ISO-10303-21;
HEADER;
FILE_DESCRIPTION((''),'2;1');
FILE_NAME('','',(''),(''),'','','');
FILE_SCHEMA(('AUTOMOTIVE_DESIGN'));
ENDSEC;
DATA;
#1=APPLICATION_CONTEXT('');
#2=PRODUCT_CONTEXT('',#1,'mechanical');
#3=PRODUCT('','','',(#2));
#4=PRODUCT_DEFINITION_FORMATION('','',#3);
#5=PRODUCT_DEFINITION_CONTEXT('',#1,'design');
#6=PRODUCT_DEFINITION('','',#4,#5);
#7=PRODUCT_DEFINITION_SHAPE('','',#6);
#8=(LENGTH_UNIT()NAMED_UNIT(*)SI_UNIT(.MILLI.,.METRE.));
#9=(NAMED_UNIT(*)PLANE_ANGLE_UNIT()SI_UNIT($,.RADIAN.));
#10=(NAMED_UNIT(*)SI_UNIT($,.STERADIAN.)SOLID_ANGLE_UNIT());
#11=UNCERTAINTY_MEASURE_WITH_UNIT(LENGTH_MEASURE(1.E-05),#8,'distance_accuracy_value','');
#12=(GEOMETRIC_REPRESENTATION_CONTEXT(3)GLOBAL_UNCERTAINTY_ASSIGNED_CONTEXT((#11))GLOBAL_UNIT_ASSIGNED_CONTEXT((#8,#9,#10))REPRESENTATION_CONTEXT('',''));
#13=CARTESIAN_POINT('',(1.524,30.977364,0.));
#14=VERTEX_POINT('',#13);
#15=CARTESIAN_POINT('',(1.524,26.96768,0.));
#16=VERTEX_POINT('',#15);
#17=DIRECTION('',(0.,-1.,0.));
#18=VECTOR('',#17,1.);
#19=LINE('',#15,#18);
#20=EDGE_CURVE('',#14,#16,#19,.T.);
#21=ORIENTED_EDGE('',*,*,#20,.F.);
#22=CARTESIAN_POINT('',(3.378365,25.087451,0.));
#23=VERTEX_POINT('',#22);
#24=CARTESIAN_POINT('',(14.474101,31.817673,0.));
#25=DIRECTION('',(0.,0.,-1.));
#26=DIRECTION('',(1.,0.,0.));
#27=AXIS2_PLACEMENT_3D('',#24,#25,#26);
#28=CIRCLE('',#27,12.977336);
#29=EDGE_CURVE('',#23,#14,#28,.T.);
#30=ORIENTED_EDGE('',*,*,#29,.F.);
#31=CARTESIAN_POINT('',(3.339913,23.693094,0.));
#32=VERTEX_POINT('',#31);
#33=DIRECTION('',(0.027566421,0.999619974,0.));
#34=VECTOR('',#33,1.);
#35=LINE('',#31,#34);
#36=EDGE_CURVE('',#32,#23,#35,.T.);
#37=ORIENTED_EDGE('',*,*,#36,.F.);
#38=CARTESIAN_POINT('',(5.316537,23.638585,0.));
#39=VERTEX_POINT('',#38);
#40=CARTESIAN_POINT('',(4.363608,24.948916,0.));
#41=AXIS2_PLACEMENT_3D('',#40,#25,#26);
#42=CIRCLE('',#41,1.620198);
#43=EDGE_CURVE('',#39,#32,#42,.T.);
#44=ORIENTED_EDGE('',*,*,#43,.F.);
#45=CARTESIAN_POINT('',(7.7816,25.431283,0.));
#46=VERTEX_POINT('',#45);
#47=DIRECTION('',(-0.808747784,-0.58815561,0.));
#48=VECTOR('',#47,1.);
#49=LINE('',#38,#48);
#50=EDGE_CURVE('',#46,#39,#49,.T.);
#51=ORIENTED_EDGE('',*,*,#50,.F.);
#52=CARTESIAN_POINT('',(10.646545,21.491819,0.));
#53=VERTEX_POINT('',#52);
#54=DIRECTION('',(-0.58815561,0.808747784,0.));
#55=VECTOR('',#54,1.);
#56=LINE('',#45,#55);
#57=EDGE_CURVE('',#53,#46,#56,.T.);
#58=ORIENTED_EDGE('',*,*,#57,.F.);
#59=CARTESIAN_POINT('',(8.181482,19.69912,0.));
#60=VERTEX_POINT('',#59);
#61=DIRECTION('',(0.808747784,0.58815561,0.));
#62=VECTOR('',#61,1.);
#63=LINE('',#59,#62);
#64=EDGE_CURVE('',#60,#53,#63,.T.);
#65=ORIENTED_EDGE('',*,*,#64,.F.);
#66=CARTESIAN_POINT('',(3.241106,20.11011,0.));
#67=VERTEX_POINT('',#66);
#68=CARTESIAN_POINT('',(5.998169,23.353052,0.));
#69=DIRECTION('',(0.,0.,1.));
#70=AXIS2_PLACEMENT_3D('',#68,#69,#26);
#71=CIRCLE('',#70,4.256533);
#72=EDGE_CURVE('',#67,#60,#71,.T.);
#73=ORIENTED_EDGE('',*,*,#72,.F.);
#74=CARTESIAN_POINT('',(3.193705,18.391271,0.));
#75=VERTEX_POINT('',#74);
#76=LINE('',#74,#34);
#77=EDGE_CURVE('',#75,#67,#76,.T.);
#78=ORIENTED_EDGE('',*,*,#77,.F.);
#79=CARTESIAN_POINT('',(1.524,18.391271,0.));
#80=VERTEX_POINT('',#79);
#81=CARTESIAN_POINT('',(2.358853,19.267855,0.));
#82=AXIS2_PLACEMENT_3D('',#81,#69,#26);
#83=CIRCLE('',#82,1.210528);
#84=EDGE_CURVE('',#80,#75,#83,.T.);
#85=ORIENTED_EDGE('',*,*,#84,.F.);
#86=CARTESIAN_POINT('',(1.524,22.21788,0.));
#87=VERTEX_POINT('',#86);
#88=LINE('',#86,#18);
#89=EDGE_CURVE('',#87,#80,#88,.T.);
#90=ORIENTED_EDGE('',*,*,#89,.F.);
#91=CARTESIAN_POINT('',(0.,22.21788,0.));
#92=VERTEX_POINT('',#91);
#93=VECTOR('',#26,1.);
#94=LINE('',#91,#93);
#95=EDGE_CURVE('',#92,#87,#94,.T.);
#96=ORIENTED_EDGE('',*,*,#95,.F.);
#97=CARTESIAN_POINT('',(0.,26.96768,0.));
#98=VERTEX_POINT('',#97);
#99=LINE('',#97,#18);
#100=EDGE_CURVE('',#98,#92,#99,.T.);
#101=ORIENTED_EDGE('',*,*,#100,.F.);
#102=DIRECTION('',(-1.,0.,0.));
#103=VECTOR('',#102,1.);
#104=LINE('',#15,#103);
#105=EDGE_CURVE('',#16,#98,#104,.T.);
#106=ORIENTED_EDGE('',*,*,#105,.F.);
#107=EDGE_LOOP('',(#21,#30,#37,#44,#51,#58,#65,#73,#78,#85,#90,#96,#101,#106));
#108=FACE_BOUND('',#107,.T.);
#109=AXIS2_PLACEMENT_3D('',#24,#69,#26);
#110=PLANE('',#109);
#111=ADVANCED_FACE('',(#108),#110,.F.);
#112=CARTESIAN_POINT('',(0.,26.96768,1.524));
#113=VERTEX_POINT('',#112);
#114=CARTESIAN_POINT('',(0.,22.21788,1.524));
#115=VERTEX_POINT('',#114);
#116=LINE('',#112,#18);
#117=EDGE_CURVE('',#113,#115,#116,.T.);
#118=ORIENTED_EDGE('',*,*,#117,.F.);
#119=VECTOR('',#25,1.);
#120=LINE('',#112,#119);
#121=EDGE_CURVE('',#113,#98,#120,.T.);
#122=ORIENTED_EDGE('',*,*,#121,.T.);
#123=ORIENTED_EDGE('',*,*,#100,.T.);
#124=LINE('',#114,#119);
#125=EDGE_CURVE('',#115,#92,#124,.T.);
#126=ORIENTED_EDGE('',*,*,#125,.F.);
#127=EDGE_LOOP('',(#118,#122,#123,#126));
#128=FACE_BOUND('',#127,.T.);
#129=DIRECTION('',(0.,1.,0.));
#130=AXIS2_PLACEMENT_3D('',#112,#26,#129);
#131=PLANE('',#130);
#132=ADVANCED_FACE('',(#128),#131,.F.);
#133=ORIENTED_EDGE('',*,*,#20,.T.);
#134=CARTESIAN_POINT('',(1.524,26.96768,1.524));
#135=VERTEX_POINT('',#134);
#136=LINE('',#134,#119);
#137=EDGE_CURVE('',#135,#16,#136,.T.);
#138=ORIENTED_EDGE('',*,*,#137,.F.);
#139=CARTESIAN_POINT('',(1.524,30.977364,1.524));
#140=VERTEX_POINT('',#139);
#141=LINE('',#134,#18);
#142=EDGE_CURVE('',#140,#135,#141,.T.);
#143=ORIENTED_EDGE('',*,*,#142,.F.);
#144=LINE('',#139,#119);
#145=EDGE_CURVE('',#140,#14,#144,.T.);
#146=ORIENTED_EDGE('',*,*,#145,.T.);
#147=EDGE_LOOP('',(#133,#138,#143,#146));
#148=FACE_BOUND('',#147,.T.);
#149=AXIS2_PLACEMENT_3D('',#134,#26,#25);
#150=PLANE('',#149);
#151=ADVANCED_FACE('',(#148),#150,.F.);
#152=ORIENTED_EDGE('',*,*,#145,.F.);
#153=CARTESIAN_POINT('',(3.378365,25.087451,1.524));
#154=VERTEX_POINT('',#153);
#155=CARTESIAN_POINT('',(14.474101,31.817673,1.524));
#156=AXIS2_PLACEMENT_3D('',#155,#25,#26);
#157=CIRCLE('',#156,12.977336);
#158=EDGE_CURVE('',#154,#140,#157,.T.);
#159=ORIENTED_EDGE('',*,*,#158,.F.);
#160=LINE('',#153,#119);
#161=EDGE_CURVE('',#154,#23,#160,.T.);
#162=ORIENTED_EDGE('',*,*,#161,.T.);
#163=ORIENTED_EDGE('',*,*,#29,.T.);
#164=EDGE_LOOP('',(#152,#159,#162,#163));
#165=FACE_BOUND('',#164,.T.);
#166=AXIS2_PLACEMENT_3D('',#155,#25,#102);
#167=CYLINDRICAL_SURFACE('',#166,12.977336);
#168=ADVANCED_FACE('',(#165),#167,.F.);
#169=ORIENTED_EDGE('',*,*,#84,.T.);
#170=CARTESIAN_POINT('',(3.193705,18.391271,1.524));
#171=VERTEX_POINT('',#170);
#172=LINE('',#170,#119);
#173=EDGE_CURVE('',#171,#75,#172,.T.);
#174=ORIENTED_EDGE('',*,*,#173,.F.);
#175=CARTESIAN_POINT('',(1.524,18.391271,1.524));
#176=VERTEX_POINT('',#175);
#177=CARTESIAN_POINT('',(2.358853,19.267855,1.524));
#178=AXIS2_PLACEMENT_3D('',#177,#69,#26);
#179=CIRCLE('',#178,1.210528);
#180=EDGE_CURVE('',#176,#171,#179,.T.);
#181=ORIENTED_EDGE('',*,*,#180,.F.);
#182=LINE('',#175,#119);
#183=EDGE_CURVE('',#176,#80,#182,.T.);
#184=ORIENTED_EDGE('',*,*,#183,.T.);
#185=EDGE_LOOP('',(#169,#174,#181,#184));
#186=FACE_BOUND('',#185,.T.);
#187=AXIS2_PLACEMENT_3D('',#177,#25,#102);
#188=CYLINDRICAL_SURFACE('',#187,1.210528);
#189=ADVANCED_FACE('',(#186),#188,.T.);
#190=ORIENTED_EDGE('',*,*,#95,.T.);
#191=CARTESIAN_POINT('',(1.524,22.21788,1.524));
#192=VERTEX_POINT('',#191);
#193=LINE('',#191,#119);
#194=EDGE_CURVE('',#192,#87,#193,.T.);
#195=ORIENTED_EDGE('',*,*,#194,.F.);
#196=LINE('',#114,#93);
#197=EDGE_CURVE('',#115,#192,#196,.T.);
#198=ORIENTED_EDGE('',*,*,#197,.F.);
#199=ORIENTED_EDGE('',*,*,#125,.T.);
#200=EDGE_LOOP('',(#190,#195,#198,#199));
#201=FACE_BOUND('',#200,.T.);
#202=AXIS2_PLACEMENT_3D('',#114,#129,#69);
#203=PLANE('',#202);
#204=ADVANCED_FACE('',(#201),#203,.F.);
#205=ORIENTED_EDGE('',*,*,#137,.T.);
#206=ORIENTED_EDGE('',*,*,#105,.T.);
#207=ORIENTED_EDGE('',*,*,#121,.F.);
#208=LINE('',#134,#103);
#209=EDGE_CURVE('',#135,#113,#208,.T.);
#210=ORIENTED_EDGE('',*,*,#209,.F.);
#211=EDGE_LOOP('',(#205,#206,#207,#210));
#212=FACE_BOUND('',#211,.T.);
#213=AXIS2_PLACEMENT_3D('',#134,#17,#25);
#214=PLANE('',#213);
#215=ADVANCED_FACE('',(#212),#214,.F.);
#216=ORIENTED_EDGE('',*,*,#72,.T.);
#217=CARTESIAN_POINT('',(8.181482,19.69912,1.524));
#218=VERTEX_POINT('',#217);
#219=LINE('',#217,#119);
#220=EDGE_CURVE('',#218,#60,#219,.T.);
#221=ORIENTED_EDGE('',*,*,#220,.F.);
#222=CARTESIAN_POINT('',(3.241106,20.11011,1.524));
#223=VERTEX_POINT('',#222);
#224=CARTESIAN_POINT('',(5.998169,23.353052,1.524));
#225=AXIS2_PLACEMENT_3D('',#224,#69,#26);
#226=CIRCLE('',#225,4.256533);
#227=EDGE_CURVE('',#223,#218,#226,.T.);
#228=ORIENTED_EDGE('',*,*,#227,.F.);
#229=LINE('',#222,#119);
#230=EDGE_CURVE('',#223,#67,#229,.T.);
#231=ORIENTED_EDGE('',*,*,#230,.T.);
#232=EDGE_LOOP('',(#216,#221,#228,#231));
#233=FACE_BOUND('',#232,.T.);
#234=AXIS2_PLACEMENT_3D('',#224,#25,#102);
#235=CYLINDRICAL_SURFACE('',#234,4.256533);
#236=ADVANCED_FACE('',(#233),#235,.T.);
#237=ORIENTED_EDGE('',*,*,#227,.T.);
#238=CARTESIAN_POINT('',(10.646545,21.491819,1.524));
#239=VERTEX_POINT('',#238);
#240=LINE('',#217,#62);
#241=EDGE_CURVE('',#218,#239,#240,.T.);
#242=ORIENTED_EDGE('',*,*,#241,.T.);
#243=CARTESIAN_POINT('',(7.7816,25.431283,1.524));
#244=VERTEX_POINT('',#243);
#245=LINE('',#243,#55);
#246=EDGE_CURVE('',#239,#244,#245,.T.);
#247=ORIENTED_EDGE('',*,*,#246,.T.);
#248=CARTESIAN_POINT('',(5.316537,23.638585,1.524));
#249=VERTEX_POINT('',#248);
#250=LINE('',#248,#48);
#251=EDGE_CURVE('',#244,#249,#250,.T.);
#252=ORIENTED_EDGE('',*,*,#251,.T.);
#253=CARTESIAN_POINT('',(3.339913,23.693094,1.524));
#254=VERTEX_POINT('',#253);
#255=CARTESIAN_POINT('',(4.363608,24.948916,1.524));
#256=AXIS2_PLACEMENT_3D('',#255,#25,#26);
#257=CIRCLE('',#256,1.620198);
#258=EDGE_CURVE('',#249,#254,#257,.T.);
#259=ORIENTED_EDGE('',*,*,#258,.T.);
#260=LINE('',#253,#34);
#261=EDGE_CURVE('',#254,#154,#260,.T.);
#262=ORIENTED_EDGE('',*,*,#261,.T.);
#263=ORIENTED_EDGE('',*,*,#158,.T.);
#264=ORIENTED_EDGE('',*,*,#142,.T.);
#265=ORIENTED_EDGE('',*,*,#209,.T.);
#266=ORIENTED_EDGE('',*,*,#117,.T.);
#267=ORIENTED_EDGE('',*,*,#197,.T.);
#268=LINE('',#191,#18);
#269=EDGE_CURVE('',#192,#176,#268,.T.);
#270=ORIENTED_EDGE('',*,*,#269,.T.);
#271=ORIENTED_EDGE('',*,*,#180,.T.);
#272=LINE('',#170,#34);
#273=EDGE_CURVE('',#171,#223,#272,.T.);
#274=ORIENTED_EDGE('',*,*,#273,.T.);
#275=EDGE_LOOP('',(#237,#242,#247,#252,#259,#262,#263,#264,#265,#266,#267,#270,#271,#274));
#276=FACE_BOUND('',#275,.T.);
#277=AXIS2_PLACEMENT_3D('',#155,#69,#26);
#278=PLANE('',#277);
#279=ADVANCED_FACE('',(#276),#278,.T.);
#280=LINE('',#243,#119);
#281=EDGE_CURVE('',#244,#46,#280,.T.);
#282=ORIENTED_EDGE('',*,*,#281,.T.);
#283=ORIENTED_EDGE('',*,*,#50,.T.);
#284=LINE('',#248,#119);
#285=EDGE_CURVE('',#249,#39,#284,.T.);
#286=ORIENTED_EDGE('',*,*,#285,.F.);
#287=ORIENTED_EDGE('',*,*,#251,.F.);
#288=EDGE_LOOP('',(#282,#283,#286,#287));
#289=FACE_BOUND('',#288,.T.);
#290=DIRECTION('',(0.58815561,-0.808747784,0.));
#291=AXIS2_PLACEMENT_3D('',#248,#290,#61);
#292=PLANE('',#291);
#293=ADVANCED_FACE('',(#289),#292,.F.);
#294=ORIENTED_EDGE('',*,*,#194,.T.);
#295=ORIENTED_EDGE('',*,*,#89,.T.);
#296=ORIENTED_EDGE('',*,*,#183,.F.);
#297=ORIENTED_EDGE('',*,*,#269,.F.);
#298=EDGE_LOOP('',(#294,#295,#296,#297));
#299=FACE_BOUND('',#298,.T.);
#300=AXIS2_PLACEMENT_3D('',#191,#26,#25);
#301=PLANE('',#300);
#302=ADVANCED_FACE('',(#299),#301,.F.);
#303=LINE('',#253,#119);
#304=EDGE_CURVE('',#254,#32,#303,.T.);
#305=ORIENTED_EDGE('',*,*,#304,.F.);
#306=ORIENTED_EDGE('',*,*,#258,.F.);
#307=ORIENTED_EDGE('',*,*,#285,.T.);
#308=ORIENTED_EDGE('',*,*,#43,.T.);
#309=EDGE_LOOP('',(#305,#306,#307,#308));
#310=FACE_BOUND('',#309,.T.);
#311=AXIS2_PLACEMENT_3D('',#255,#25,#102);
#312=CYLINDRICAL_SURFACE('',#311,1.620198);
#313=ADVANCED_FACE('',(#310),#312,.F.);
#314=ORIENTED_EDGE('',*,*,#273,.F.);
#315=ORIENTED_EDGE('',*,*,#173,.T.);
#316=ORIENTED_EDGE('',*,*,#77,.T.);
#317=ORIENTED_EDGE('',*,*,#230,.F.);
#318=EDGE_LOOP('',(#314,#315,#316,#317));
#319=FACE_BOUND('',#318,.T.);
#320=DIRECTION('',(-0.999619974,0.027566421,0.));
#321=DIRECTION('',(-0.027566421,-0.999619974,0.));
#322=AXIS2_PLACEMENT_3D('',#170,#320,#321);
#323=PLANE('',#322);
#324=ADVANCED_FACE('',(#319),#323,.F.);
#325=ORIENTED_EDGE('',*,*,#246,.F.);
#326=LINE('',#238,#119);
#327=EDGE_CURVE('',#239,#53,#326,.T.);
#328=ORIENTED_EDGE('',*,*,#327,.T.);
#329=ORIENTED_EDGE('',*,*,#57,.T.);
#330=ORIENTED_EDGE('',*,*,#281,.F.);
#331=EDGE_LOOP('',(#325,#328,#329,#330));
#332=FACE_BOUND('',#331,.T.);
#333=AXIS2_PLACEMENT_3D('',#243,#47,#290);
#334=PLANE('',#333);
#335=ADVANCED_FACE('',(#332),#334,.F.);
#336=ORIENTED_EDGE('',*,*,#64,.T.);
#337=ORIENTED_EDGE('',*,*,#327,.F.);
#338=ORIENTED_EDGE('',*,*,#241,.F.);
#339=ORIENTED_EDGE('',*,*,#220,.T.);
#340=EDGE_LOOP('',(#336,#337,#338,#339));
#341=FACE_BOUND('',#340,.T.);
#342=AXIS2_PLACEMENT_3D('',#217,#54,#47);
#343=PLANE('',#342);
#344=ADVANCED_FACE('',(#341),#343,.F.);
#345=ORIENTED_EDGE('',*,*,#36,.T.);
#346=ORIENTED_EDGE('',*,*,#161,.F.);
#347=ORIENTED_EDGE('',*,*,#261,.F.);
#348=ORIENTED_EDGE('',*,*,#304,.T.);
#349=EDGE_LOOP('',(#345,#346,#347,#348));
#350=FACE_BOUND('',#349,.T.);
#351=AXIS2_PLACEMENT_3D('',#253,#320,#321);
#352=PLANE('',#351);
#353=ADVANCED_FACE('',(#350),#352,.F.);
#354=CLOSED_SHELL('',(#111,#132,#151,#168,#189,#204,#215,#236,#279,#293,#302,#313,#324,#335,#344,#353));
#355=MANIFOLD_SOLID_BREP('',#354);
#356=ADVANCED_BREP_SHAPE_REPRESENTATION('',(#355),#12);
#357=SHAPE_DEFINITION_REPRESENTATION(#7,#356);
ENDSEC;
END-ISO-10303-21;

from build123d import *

# Parameters (mm, degrees)
BOSS_EXTRUDE1_DEPTH = 1.524


with BuildPart() as part:
    # Sketch1 → Boss-Extrude1 (new body)
    with BuildSketch(Plane.XY):
        with BuildLine():
            Line((1.524, 26.967680282), (0, 26.967680282))
            Line((0, 26.967680282), (0, 22.217880282))
            Line((0, 22.217880282), (1.524, 22.217880282))
            Line((1.524, 22.217880282), (1.524, 18.391271339))
            ThreePointArc((1.524, 18.391271339), (2.358852733, 18.057327031), (3.193705465, 18.391271339))
            Line((3.193705465, 18.391271339), (3.241105721, 20.110110457))
            ThreePointArc((3.241105721, 20.110110457), (5.645287311, 19.111172108), (8.181482071, 19.699120308))
            Line((8.181482071, 19.699120308), (10.646545317, 21.491818606))
            Line((10.646545317, 21.491818606), (7.781599903, 25.431283294))
            Line((7.781599903, 25.431283294), (5.316536657, 23.638584995))
            ThreePointArc((5.316536657, 23.638584995), (4.31894521, 23.329334303), (3.339913307, 23.693094141))
            Line((3.339913307, 23.693094141), (3.378365348, 25.087450992))
            ThreePointArc((3.378365348, 25.087450992), (2.095759725, 27.920506851), (1.524, 30.977363652))
            Line((1.524, 30.977363652), (1.524, 26.967680282))
        make_face()
    extrude(amount=BOSS_EXTRUDE1_DEPTH)


solid = part.part
